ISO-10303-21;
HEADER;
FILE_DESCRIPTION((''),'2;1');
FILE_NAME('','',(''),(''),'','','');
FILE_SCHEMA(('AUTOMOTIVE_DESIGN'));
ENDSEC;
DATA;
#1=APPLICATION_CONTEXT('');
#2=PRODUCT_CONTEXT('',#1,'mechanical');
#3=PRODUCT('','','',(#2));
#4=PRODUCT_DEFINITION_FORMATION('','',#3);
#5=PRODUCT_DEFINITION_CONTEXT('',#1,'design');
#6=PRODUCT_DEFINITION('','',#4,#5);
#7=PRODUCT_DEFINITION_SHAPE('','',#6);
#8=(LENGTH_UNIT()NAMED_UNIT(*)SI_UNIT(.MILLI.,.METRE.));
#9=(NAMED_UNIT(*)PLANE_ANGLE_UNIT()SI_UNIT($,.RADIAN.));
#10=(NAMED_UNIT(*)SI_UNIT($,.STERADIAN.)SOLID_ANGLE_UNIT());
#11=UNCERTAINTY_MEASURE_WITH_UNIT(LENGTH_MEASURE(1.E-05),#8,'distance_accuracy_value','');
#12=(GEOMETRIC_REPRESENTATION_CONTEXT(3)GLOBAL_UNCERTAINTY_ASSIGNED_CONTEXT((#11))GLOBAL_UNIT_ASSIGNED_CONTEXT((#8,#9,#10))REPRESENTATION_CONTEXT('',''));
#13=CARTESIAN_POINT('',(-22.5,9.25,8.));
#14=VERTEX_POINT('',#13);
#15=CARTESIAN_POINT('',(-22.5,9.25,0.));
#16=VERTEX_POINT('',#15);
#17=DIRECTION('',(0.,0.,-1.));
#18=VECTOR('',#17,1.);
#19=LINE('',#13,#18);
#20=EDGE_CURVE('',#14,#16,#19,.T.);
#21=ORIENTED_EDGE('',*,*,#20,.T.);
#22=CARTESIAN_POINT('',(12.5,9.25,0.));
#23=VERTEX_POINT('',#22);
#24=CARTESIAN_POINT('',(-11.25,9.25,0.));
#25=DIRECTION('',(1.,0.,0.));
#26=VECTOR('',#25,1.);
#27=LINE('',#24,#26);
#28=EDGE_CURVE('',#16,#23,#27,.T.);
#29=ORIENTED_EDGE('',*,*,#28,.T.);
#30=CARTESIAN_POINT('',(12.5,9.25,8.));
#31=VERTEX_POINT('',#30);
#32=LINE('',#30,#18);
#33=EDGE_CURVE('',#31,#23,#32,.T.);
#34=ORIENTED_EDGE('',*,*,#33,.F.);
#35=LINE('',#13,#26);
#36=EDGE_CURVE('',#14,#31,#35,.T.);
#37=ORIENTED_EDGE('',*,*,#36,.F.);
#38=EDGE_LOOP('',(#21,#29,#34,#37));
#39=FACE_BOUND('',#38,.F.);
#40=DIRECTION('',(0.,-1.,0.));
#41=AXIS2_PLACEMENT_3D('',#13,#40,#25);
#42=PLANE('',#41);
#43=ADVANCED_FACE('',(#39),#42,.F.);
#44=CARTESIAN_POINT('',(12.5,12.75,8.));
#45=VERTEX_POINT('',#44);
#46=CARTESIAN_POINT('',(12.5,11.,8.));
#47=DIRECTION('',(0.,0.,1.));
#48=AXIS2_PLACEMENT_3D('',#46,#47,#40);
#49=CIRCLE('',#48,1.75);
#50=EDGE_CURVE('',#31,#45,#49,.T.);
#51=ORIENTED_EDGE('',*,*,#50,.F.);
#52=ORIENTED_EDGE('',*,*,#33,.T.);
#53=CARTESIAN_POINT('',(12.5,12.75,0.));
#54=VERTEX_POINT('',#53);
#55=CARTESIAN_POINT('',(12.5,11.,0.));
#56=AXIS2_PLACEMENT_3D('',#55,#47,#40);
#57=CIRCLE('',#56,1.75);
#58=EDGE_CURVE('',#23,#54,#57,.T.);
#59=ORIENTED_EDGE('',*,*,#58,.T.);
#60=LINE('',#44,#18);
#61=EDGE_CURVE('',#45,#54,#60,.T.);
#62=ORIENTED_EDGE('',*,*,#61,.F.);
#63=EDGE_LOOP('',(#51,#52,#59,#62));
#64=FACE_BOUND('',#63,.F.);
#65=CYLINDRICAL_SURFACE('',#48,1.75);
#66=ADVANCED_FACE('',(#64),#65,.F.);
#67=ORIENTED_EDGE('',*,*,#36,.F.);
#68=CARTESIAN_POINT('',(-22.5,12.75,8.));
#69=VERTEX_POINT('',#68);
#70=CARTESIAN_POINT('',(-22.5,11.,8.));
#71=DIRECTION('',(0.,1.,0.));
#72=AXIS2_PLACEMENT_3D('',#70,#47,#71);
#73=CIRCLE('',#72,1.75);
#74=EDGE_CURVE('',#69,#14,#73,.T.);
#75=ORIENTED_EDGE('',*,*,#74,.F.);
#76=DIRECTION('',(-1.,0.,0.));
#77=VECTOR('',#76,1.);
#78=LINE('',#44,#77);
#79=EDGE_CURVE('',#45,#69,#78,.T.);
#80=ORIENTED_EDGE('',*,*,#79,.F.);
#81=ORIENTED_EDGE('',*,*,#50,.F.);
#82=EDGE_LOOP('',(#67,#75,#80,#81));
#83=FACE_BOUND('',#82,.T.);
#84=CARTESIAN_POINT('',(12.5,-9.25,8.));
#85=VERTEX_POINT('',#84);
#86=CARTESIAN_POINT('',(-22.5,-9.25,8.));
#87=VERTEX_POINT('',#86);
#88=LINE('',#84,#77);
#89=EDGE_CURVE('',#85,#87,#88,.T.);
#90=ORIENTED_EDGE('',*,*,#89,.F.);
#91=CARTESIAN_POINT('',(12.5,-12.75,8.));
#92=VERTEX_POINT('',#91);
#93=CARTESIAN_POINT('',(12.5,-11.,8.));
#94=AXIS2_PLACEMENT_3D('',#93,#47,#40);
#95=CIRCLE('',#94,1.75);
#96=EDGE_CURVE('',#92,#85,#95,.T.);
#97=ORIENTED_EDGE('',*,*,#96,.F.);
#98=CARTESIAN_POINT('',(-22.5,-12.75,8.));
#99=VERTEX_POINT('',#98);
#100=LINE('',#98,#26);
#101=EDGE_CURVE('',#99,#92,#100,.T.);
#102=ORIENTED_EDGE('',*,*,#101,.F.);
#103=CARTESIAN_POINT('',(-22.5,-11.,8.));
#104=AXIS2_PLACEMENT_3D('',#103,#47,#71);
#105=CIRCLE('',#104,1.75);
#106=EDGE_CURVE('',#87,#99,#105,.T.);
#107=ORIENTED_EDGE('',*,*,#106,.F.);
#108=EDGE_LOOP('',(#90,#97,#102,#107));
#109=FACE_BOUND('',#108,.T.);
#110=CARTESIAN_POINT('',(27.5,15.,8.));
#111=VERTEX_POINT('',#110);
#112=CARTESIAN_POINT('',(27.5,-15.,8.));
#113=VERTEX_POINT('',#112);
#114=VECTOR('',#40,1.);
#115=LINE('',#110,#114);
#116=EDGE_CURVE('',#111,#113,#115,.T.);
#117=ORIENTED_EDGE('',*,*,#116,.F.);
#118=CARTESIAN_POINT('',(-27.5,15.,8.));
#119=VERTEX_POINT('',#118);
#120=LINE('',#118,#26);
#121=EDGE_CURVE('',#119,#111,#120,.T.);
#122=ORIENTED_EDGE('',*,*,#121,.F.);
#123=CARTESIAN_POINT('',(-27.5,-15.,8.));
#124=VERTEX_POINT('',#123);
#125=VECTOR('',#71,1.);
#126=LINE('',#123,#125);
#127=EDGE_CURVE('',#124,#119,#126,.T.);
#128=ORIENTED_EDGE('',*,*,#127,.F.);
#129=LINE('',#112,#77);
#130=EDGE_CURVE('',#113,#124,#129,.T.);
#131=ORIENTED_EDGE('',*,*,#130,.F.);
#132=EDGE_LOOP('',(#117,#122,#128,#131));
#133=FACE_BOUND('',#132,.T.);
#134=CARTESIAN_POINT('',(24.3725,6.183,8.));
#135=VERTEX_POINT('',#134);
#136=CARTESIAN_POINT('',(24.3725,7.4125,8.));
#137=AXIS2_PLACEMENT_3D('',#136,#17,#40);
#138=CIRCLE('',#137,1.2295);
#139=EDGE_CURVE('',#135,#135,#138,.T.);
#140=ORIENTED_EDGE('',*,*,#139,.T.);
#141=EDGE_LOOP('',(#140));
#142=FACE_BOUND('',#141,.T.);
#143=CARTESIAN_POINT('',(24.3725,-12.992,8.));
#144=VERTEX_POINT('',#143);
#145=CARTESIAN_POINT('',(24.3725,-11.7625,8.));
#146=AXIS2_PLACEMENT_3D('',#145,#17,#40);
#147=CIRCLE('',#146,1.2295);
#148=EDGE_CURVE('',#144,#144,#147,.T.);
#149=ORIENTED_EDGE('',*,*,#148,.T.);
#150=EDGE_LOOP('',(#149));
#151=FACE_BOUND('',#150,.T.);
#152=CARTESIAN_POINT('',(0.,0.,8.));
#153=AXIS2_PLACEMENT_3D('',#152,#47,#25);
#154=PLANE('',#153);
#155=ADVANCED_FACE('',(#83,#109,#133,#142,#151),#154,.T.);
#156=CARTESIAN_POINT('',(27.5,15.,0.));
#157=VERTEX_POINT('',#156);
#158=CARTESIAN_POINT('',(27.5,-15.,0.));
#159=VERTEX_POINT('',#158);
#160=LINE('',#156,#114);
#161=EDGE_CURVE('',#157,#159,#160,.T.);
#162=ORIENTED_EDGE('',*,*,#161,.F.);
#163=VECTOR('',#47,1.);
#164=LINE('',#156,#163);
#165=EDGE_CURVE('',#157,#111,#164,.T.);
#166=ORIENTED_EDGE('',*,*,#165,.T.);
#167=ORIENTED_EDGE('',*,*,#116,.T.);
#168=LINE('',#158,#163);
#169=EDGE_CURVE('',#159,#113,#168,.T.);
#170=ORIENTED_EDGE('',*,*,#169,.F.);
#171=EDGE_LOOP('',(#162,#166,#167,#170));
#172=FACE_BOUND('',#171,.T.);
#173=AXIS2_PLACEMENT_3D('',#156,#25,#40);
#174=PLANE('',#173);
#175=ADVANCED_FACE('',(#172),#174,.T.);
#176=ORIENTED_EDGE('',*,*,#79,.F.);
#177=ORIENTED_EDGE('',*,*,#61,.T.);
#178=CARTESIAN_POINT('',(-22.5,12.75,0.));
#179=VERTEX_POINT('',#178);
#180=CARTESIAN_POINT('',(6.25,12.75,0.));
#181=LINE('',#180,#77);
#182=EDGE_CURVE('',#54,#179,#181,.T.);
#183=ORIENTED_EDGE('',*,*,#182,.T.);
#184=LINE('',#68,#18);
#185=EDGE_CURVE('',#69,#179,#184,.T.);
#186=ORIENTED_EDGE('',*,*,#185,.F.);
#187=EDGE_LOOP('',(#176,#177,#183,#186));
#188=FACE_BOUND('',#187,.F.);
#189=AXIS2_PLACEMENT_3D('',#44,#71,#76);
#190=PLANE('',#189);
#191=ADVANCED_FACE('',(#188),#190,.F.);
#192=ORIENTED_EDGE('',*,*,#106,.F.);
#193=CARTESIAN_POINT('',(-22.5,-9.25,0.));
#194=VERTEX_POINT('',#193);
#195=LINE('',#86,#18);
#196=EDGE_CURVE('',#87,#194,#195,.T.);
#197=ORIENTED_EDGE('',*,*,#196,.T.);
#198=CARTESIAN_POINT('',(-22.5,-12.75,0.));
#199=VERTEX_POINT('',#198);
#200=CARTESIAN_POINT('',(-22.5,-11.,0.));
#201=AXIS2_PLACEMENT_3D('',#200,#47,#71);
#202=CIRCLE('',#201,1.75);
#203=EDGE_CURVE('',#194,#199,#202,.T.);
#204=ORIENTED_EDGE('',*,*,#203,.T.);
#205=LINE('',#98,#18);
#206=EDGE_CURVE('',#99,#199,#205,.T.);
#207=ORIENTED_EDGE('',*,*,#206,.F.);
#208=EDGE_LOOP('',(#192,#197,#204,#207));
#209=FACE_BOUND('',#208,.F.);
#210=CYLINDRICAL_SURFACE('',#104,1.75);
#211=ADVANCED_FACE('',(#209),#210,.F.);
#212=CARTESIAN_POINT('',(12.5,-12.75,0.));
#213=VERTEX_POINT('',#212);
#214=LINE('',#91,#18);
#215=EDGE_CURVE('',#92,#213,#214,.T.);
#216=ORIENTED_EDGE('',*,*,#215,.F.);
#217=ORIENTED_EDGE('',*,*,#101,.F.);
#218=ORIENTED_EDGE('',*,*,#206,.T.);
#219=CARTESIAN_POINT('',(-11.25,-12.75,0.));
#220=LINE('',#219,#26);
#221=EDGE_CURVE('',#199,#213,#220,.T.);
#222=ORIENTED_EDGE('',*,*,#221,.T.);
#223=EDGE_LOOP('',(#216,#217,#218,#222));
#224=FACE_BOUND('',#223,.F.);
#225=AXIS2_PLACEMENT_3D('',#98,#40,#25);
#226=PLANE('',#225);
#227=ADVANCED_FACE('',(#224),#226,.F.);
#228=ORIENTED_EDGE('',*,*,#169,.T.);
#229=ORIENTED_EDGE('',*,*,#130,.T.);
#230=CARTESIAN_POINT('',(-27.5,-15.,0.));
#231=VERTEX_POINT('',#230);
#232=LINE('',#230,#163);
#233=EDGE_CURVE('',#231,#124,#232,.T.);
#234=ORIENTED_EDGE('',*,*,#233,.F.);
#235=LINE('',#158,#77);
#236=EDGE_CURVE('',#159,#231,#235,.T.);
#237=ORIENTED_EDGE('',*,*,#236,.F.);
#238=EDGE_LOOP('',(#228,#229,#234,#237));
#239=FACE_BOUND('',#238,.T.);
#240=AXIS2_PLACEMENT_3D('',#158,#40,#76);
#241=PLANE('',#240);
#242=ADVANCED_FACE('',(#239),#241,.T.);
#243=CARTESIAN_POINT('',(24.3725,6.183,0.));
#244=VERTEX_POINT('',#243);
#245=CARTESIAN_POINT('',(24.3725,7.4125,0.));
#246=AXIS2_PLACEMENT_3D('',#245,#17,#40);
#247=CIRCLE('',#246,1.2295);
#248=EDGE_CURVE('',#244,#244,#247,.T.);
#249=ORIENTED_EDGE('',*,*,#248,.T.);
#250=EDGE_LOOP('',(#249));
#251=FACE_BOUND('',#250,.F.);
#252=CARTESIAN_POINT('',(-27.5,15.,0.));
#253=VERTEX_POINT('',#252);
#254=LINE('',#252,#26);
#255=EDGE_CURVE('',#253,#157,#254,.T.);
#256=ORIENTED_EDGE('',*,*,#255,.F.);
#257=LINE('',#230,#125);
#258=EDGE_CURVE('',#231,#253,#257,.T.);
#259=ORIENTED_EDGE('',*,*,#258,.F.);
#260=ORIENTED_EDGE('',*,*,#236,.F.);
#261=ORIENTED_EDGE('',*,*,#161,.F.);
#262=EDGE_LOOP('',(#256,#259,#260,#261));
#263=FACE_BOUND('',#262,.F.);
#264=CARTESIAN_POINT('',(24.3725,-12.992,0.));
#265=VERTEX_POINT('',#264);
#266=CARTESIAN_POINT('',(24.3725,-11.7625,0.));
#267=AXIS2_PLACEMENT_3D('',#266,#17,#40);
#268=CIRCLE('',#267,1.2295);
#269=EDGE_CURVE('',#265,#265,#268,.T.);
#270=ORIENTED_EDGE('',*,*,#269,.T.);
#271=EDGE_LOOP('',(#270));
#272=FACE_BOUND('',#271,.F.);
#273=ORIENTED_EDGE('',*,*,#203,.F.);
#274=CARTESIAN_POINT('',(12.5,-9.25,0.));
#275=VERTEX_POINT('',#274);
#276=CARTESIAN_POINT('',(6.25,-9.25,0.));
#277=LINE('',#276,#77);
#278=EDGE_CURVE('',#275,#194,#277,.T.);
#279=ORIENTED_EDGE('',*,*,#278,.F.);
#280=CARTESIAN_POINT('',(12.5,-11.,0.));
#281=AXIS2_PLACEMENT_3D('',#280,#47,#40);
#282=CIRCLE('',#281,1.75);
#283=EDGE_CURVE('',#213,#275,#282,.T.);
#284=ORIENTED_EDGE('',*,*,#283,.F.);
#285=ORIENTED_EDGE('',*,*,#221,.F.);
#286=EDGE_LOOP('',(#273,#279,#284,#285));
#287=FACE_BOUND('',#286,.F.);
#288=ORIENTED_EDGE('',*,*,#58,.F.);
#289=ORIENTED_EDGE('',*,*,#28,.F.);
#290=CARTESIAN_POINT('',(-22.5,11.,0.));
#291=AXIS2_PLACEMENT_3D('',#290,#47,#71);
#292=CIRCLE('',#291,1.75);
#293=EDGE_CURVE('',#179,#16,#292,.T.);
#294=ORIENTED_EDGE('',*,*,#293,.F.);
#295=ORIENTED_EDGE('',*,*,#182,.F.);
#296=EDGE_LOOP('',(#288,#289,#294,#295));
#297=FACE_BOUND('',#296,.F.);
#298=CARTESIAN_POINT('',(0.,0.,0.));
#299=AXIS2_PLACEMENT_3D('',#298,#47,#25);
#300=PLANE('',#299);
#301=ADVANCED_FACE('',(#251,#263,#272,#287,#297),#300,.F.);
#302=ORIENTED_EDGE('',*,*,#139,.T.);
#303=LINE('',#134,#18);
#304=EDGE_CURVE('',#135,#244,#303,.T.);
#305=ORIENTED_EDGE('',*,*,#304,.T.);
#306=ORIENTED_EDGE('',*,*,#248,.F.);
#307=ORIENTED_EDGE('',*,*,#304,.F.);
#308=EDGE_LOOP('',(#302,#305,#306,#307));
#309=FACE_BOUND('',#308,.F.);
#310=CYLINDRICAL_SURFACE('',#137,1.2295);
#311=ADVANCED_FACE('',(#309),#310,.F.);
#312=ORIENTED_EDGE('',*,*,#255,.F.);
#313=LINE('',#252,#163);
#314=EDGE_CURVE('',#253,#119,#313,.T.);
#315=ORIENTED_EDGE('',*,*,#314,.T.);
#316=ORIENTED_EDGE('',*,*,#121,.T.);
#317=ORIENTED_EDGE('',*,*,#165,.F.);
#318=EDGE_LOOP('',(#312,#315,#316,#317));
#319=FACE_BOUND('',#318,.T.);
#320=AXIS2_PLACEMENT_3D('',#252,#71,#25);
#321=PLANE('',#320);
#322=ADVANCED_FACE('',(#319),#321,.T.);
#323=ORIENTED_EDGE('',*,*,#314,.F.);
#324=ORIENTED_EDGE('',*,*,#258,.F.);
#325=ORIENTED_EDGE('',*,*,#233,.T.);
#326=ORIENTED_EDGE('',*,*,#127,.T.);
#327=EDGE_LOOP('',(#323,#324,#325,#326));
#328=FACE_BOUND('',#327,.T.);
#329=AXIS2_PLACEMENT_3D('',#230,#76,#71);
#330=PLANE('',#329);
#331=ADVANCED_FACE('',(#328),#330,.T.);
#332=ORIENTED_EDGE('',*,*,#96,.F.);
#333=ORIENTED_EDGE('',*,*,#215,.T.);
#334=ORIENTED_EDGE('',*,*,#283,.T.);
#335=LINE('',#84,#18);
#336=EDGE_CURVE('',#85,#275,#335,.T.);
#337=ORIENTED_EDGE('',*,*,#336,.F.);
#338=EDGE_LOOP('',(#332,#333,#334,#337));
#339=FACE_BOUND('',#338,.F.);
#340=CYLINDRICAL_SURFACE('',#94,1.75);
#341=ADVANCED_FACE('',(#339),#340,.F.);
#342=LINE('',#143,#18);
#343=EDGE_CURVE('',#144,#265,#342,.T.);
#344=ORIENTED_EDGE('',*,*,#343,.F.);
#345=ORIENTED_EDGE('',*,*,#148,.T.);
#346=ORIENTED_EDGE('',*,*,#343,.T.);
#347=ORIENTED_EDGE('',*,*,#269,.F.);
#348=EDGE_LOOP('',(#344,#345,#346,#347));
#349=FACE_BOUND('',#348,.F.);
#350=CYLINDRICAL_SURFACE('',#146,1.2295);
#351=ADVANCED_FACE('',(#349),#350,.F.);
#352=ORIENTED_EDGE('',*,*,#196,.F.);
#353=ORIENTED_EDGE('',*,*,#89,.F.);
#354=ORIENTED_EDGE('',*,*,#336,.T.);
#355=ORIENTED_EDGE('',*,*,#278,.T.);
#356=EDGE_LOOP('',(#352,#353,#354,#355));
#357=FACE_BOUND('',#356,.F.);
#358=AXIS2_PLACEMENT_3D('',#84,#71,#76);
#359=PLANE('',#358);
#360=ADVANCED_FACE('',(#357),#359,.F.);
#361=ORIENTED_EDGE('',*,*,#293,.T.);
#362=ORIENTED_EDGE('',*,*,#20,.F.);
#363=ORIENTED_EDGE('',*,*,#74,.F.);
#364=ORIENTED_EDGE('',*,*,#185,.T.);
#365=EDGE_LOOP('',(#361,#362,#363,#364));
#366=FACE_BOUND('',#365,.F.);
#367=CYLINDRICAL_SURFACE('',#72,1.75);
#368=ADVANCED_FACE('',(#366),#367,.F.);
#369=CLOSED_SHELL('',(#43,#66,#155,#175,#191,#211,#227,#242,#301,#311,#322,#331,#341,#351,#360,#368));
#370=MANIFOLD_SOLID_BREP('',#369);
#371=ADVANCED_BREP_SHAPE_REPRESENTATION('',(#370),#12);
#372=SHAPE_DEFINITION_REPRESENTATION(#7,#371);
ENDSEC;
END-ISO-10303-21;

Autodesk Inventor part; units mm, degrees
ref_plane "YZ Plane" through (0, 0, 0) normal (1, 0, 0) x (0, 1, 0)
ref_plane "XZ Plane" through (0, 0, 0) normal (0, 1, 0) x (-1, 0, 0)
ref_plane "XY Plane" through (0, 0, 0) normal (0, 0, 1) x (1, 0, 0)
sketch "Sketch1" plane through (0, 0, 0) normal (0, 0, 1) x (1, 0, 0)
  line L0 (-27.5, 15) -> (27.5, 15)
  line L1 (27.5, 15) -> (27.5, -15)
  line L2 (27.5, -15) -> (-27.5, -15)
  line L3 (-27.5, -15) -> (-27.5, 15)
  point P0 (0, 0)
  point P1 (0, 15)
  point P2 (-27.5, 0)
  dimension "d0" = 55
  dimension "d1" = 30
extrude "Extrusion1" add sketch "Sketch1" along normal blind 8
sketch "Sketch5" plane through (0, 0, 8) normal (0, 0, 1) x (1, 0, 0)
  line L0 (12.5, 11) -> (-22.5, 11) construction
  line L1 (12.5, 12.75) -> (-22.5, 12.75)
  line L2 (-22.5, 9.25) -> (12.5, 9.25)
  arc A0 (12.5, 9.25) -> (12.5, 12.75) centre (12.5, 11) ccw
  arc A1 (-22.5, 12.75) -> (-22.5, 9.25) centre (-22.5, 11) ccw
  line L3 (12.5, -11) -> (-22.5, -11) construction
  line L4 (12.5, -9.25) -> (-22.5, -9.25)
  line L5 (-22.5, -12.75) -> (12.5, -12.75)
  arc A2 (12.5, -12.75) -> (12.5, -9.25) centre (12.5, -11) ccw
  arc A3 (-22.5, -9.25) -> (-22.5, -12.75) centre (-22.5, -11) ccw
  line L6 (27.5, 15) -> (-27.5, 15) projected
  line L7 (-27.5, -15) -> (27.5, -15) projected
  line L8 (-27.5, 15) -> (-27.5, -15) projected
  point P0 (0, 0)
  point P1 (-5, 11)
  point P2 (-5, -11)
  dimension "d29" = 3.5
  dimension "d30" = 4
  dimension "d31" = 4
  dimension "d33" = 35
  dimension "d36" = 5
extrude "Extrusion5" cut sketch "Sketch5" against normal blind 10
sketch "Sketch6" plane through (0, 0, 8) normal (0, 0, 1) x (1, 0, 0)
  circle A0 centre (24.3725, -11.7625) radius 1.7875
  circle A1 centre (24.3725, 7.4125) radius 1.7875
  line L0 (27.5, -15) -> (27.5, 15) projected
  point P0 (0, 0)
  dimension "d44" = 3.1275
hole "Hole1" at (24.3725, 7.4125, 8) at (24.3725, -11.7625, 8) direction (0, 0, -1) diameter 2.459 end through all thread size "M3x0.5" class "6H" standard "ISO Metric profile"
properties part number "0005-10-021 suport senzor z"
